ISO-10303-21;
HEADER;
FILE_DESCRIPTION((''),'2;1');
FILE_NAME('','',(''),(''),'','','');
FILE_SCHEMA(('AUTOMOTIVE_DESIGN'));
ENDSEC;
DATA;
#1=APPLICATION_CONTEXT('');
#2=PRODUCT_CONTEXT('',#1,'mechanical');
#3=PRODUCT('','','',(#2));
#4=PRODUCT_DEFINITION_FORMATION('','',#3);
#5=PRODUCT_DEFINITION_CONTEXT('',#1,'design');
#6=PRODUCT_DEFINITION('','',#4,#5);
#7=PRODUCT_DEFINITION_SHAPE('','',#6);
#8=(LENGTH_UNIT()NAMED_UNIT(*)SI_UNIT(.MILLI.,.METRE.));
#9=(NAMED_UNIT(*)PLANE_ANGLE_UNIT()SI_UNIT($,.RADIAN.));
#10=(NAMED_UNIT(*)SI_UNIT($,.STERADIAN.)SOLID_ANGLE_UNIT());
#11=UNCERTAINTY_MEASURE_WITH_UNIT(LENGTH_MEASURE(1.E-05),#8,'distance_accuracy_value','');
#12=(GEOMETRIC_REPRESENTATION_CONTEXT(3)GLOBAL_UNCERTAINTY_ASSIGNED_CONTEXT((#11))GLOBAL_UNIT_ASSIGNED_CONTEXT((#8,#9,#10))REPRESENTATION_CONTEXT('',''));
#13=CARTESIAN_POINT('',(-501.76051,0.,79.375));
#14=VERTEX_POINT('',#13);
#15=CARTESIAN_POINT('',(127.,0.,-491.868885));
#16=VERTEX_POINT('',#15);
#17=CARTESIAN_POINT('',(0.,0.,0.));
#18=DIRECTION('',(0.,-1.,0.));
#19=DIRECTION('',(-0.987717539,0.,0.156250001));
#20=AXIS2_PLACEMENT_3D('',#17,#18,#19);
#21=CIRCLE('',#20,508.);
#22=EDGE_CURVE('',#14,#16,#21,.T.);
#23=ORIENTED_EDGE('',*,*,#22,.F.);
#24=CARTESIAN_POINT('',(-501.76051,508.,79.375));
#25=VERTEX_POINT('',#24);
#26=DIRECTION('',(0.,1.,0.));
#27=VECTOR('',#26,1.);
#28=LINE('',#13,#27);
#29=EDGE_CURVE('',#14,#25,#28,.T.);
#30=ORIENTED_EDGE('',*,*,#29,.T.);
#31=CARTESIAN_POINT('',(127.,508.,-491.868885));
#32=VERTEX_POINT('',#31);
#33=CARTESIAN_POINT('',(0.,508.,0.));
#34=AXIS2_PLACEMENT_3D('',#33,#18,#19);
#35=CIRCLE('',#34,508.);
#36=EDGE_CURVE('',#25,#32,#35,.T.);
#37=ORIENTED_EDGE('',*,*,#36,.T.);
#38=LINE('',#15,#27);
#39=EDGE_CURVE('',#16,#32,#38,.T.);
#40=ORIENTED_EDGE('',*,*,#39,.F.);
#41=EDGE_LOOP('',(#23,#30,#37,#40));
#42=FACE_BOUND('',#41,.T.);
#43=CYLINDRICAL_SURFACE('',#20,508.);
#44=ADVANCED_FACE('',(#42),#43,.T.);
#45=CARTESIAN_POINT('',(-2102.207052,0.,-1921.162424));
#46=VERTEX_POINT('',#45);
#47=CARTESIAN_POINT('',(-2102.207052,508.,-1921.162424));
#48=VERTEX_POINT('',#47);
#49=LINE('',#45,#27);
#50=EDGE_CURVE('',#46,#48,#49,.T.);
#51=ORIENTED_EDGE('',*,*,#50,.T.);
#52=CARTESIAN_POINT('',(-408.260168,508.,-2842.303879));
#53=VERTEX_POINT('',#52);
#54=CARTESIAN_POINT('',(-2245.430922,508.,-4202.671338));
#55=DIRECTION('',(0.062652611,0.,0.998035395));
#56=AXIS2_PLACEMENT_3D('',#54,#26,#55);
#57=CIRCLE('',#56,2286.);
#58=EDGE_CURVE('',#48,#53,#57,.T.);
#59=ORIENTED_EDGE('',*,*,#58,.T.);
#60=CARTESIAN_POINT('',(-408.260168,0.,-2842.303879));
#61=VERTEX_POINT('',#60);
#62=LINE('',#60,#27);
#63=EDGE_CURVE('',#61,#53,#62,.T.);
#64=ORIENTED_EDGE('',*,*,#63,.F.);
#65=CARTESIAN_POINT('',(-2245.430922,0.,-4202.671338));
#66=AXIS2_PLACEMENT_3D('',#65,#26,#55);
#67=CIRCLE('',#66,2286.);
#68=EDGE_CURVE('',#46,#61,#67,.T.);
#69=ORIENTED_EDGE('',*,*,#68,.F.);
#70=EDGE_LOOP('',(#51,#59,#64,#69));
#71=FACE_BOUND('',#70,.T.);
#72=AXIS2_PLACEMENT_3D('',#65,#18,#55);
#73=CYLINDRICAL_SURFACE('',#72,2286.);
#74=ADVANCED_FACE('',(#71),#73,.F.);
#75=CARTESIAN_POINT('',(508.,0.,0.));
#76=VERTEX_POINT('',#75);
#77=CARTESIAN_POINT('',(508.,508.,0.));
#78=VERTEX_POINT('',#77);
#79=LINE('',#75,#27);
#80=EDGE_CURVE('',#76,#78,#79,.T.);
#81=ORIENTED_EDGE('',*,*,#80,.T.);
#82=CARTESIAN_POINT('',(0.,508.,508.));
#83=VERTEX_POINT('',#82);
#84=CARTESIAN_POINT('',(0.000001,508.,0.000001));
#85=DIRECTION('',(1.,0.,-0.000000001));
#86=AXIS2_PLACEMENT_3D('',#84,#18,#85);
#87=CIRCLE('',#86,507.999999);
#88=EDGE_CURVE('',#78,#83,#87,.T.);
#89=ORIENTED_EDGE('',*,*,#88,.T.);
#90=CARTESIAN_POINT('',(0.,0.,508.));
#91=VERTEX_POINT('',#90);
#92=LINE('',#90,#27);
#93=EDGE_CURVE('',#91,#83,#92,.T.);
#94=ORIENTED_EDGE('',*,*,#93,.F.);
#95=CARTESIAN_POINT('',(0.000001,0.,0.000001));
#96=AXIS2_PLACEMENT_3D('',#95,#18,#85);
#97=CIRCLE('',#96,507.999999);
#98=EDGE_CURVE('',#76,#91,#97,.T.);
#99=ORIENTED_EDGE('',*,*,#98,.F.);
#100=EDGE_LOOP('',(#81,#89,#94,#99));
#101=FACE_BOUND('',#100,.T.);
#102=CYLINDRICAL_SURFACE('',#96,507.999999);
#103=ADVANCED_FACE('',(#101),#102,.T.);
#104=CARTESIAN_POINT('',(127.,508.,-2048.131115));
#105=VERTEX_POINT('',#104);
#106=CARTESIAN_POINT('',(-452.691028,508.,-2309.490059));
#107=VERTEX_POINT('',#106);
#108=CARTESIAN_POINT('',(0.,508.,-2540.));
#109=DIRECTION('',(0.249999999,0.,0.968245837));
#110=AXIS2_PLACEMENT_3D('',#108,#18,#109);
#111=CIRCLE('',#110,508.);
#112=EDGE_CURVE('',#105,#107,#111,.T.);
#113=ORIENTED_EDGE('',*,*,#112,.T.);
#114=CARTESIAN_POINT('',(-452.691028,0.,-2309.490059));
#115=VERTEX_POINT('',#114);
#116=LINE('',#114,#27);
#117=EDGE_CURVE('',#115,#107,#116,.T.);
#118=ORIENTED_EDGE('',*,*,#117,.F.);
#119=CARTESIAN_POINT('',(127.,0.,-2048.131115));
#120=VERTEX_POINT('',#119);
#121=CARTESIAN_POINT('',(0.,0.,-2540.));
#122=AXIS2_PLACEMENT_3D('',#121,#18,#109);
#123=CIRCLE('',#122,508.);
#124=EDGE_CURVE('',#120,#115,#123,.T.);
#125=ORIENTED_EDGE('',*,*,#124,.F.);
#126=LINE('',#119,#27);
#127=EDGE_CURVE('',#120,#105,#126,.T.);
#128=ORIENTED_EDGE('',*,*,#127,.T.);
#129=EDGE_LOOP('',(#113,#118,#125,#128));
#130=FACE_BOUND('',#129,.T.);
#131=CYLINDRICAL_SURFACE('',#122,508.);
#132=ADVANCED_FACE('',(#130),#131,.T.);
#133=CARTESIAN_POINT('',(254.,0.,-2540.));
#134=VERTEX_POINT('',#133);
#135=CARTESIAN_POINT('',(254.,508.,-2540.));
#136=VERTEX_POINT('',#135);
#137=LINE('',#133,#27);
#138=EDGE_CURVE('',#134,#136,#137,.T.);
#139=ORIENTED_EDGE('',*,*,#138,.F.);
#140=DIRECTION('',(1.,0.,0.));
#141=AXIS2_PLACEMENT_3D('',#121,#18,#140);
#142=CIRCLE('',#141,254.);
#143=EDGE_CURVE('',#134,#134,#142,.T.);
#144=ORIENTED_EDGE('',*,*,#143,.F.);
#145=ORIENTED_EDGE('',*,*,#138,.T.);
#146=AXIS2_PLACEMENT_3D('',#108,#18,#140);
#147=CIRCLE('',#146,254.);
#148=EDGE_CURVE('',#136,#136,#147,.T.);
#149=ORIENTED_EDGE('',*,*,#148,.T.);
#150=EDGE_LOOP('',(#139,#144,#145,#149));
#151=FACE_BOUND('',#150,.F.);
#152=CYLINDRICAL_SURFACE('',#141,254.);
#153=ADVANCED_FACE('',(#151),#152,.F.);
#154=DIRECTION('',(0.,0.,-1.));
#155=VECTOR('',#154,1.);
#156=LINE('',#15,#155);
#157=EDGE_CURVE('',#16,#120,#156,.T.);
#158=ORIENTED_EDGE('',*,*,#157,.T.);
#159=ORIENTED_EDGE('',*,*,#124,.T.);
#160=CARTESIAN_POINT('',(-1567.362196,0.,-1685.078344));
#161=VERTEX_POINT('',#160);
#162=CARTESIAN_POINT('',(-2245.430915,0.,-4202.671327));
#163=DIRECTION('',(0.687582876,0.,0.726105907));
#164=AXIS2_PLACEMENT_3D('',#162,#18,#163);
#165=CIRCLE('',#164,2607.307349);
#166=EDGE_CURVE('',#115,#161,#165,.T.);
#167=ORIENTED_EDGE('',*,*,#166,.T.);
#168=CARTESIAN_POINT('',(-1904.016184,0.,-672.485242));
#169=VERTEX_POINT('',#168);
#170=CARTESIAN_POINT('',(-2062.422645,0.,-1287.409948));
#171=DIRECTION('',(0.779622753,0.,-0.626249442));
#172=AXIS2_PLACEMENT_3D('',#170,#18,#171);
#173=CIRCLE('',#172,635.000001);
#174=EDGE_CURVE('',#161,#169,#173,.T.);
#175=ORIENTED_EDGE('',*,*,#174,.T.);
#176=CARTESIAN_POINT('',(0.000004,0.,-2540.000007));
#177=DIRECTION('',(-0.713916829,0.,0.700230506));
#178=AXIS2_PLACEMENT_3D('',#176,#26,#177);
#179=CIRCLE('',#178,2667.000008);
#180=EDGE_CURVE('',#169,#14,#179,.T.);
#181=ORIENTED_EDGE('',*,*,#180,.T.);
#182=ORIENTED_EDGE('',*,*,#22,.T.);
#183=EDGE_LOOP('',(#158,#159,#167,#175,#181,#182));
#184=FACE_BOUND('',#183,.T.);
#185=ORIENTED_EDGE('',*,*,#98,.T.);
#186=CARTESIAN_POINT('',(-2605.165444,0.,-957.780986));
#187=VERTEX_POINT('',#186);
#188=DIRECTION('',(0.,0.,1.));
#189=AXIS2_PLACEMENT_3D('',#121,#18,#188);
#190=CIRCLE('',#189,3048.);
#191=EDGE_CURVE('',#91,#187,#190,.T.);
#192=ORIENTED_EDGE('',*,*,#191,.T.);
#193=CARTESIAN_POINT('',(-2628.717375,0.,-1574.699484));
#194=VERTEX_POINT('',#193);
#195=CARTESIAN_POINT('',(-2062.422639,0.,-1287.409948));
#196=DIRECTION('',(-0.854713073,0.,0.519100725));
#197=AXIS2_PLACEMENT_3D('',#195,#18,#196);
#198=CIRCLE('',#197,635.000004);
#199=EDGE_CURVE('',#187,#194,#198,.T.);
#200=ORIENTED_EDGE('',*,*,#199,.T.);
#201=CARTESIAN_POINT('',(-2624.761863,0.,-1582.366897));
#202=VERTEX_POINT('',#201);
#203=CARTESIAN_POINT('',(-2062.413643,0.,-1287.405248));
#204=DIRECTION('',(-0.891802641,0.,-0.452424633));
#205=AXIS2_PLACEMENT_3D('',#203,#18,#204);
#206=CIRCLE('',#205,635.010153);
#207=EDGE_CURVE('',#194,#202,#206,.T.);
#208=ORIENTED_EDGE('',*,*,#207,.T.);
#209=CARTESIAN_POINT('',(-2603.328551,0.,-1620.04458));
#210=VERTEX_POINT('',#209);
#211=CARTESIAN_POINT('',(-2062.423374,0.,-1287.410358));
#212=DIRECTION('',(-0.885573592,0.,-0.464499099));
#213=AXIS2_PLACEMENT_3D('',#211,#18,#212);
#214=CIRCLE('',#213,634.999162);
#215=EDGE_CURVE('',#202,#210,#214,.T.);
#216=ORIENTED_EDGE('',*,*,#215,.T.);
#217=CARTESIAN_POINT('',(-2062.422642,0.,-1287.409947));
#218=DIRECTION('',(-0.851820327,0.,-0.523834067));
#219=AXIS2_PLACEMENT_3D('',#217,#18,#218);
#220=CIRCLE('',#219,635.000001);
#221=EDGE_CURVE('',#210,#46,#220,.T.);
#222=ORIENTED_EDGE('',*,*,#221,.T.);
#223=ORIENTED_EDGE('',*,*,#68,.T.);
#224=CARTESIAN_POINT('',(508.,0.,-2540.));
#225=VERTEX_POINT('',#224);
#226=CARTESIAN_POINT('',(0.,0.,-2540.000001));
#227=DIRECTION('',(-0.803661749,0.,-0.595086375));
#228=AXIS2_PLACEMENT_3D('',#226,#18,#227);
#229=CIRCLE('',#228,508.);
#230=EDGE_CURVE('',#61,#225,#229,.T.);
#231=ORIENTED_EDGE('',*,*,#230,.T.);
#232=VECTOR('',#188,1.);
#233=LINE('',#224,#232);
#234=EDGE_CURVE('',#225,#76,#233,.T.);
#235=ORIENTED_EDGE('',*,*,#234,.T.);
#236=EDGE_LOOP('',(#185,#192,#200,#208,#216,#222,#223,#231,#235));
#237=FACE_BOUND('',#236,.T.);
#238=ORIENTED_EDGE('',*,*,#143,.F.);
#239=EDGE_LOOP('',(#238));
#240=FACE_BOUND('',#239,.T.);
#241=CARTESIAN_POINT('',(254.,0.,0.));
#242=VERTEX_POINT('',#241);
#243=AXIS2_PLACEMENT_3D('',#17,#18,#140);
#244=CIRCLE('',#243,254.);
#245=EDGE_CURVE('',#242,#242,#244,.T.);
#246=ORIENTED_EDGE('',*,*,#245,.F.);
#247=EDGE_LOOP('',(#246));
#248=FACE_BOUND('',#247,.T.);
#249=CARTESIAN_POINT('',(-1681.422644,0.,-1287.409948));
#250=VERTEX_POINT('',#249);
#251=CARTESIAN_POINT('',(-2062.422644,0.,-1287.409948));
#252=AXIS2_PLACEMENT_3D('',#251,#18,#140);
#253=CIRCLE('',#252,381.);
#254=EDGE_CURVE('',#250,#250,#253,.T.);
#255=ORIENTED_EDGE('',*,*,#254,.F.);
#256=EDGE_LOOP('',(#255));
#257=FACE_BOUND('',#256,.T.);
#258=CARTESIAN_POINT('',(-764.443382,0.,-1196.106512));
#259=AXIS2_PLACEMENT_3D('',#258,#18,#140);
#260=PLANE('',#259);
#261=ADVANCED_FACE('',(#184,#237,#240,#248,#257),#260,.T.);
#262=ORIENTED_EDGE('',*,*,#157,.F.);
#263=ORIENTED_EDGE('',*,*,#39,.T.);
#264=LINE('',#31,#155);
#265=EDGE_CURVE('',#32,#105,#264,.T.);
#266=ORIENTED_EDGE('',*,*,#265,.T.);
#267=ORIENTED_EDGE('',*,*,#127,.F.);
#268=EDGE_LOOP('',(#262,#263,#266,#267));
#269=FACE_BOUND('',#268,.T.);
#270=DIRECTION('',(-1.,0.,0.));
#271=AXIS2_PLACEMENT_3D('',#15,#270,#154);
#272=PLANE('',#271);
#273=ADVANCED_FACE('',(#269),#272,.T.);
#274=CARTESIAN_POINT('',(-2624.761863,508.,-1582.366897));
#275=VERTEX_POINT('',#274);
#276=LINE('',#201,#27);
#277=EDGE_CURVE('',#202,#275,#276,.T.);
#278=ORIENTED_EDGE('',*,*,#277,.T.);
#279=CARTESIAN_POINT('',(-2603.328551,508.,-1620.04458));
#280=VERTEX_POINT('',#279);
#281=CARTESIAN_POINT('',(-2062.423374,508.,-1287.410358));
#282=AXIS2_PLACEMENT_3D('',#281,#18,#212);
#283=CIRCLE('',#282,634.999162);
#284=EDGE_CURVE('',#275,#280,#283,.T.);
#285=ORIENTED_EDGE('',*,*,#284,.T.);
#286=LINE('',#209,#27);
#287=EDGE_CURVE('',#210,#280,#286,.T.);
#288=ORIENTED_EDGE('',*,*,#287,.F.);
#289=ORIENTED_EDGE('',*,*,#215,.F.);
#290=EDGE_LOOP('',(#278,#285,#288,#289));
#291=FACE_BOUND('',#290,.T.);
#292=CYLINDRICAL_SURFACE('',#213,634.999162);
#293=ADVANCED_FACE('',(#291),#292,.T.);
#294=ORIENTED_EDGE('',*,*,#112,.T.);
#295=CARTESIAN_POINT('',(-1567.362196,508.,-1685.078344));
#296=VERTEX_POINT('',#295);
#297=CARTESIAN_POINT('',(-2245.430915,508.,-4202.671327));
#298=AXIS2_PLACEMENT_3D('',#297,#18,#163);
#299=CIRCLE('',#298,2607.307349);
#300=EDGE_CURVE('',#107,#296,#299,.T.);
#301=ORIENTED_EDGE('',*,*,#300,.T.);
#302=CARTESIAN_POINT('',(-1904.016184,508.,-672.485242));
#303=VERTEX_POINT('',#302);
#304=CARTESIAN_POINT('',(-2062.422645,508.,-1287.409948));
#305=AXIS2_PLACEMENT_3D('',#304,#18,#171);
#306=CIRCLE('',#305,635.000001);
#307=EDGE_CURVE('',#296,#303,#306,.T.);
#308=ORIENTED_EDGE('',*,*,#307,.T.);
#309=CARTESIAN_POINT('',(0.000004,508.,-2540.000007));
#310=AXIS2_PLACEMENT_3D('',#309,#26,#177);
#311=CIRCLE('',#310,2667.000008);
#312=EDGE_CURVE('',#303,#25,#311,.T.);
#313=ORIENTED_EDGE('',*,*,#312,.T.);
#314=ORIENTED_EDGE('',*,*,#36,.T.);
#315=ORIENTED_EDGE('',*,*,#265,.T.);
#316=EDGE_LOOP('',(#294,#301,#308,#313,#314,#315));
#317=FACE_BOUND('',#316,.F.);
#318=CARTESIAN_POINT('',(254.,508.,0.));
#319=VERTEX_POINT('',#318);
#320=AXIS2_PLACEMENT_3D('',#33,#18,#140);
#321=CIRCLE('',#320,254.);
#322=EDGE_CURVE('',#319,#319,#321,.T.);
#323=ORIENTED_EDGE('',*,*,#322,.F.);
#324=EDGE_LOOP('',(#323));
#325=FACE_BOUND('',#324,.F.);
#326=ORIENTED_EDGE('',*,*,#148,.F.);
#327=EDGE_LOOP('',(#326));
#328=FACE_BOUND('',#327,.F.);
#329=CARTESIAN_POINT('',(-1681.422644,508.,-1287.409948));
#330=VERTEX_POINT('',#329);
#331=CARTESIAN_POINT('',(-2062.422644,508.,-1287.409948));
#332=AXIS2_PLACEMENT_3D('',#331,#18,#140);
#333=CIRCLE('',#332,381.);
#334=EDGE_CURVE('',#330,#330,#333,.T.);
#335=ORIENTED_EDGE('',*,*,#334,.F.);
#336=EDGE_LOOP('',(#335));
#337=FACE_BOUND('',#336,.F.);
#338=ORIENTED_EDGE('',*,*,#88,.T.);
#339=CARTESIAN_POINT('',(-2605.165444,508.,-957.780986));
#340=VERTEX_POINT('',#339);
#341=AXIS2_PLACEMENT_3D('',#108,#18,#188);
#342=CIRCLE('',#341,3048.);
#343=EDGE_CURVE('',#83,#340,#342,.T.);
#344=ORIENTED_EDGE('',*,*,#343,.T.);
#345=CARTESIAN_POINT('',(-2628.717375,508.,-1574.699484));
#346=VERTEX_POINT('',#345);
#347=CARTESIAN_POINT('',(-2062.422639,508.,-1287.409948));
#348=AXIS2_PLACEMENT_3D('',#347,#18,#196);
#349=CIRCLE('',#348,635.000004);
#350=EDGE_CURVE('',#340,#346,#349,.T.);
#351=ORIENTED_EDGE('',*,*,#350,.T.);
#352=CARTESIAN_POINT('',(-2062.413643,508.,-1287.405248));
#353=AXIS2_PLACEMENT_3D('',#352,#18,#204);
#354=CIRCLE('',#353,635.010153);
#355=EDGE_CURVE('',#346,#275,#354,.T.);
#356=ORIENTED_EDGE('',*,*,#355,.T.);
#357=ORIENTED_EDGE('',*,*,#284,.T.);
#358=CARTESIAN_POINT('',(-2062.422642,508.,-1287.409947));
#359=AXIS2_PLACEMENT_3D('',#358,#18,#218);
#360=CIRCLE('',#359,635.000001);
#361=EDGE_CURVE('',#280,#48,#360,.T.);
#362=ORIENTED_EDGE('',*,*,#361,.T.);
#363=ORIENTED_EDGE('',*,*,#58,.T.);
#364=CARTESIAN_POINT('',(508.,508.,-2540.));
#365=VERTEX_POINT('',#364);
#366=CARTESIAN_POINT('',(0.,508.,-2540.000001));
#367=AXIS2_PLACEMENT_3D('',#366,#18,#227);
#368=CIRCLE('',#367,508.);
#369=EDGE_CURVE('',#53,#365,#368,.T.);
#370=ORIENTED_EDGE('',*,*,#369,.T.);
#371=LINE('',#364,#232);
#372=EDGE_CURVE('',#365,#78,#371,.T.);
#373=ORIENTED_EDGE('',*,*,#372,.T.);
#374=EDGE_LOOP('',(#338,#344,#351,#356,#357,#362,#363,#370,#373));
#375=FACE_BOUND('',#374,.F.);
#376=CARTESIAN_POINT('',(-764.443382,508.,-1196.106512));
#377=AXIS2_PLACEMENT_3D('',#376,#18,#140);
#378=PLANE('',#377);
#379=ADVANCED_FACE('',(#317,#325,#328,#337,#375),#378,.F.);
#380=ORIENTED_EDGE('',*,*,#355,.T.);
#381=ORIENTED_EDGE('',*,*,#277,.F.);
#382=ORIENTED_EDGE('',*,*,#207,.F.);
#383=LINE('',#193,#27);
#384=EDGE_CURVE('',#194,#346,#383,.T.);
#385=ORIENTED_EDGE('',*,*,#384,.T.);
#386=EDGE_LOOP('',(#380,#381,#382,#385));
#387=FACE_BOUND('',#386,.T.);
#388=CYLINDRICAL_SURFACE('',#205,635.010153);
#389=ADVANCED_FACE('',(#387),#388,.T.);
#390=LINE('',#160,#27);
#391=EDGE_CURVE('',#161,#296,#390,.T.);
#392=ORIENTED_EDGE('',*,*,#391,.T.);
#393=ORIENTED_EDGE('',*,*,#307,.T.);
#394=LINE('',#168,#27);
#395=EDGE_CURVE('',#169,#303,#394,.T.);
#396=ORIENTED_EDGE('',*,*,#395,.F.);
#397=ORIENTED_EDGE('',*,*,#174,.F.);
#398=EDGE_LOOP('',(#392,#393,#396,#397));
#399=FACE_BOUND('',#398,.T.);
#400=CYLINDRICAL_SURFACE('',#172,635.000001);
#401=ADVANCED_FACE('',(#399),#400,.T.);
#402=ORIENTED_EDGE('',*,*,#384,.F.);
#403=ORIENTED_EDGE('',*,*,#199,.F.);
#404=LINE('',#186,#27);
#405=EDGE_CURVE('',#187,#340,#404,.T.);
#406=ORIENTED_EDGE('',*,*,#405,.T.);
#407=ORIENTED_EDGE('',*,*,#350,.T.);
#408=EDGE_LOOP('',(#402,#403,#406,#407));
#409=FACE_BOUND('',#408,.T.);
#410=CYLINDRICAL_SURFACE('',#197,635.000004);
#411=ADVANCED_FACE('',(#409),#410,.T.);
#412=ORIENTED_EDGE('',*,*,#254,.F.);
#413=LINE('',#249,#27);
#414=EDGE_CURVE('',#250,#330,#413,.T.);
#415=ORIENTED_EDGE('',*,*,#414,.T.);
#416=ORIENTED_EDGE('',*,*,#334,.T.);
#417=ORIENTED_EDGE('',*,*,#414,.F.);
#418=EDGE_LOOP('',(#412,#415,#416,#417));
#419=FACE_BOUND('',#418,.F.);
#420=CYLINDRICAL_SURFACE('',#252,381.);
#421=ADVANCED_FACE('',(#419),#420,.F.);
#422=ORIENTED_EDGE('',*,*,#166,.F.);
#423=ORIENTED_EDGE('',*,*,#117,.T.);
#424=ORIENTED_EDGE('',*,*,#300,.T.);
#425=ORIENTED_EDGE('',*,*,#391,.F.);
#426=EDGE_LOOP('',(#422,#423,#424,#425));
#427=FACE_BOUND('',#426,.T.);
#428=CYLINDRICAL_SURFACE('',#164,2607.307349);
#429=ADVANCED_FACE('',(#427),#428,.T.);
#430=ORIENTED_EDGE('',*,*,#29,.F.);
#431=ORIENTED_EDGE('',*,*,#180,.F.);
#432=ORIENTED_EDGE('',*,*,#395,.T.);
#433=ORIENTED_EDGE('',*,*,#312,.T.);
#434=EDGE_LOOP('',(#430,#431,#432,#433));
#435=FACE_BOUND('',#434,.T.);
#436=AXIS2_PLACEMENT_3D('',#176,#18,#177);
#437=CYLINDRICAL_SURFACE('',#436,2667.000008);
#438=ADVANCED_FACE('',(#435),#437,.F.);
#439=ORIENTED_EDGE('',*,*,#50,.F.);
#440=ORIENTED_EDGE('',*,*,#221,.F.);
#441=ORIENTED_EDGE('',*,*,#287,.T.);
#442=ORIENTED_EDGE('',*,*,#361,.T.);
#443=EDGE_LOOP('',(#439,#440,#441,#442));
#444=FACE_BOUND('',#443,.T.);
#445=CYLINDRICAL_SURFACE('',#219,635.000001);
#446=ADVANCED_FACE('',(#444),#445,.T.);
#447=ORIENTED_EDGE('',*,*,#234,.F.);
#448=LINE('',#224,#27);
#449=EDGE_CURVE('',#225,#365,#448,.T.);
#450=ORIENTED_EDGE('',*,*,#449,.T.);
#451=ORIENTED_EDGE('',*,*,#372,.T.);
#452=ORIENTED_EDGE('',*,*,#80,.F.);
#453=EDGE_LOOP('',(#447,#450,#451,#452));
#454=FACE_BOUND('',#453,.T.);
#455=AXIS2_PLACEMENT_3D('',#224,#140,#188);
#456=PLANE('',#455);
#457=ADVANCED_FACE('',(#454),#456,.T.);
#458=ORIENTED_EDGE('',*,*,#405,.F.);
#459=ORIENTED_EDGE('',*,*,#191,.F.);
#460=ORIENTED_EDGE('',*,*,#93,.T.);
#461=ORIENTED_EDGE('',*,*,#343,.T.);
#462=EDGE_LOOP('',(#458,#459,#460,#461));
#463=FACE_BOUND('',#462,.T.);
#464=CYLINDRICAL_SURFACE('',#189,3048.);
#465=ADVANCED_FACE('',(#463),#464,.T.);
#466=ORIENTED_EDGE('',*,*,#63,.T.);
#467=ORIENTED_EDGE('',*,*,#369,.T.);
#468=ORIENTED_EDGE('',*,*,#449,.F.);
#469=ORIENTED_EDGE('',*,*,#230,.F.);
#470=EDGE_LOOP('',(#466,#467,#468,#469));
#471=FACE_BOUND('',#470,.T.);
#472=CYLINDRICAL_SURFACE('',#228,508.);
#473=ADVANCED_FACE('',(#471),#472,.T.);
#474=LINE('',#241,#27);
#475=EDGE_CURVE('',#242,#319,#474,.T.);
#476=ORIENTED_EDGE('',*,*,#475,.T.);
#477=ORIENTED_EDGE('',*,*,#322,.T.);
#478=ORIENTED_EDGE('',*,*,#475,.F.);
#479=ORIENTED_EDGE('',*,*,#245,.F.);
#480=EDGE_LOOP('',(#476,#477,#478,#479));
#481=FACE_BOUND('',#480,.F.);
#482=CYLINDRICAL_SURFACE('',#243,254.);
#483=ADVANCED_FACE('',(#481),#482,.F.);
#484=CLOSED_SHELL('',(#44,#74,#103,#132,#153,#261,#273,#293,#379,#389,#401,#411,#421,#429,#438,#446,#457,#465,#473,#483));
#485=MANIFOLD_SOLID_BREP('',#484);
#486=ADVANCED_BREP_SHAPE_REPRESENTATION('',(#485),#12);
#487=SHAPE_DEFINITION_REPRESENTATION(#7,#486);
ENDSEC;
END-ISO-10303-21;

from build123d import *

# Parameters (mm, degrees)
F0_R     = 381
F0_R_2   = 254
F1_DEPTH = 508


with BuildPart() as f1:
    # F0 (on Front) → F1 (new body)
    with BuildSketch(Plane.XZ):
        with BuildLine():
            Line((508, -2540), (508, 0))
            ThreePointArc((508, 0), (359.210245, 359.210245), (0, 508))
            ThreePointArc((0, 508), (-1494.607046, 116.398648), (-2605.165444, -957.780986))
            ThreePointArc((-2605.165444, -957.780986), (-2696.960404, -1263.185372), (-2628.717375, -1574.699484))
            ThreePointArc((-2628.717375, -1574.699484), (-2626.752641, -1578.539908), (-2624.761863, -1582.366897))
            ThreePointArc((-2624.761863, -1582.366897), (-2614.366803, -1601.388681), (-2603.328551, -1620.04458))
            ThreePointArc((-2603.328551, -1620.04458), (-2389.482729, -1831.704629), (-2102.207052, -1921.162424))
            ThreePointArc((-2102.207052, -1921.162424), (-1153.361276, -2194.393496), (-408.260168, -2842.303879))
            ThreePointArc((-408.260168, -2842.303879), (159.16632, -3022.421064), (508, -2540))
        make_face()
        with Locations((-2062.422644, -1287.409948)):
            Circle(F0_R, mode=Mode.SUBTRACT)
        with Locations((0, -2540)):
            Circle(F0_R_2, mode=Mode.SUBTRACT)
        with BuildLine():
            ThreePointArc((-1904.016184, -672.485242), (-1260.263397, -189.54788), (-501.76051, 79.375))
            ThreePointArc((-501.76051, 79.375), (-341.601016, -375.995673), (127, -491.868885))
            Line((127, -491.868885), (127, -2048.131115))
            ThreePointArc((127, -2048.131115), (-208.796039, -2076.89287), (-452.691028, -2309.490059))
            ThreePointArc((-452.691028, -2309.490059), (-971.187497, -1927.950393), (-1567.362196, -1685.078344))
            ThreePointArc((-1567.362196, -1685.078344), (-1459.85236, -1087.075096), (-1904.016184, -672.485242))
        make_face(mode=Mode.SUBTRACT)
        Circle(F0_R_2, mode=Mode.SUBTRACT)
    extrude(amount=-F1_DEPTH)


solid = f1.part
